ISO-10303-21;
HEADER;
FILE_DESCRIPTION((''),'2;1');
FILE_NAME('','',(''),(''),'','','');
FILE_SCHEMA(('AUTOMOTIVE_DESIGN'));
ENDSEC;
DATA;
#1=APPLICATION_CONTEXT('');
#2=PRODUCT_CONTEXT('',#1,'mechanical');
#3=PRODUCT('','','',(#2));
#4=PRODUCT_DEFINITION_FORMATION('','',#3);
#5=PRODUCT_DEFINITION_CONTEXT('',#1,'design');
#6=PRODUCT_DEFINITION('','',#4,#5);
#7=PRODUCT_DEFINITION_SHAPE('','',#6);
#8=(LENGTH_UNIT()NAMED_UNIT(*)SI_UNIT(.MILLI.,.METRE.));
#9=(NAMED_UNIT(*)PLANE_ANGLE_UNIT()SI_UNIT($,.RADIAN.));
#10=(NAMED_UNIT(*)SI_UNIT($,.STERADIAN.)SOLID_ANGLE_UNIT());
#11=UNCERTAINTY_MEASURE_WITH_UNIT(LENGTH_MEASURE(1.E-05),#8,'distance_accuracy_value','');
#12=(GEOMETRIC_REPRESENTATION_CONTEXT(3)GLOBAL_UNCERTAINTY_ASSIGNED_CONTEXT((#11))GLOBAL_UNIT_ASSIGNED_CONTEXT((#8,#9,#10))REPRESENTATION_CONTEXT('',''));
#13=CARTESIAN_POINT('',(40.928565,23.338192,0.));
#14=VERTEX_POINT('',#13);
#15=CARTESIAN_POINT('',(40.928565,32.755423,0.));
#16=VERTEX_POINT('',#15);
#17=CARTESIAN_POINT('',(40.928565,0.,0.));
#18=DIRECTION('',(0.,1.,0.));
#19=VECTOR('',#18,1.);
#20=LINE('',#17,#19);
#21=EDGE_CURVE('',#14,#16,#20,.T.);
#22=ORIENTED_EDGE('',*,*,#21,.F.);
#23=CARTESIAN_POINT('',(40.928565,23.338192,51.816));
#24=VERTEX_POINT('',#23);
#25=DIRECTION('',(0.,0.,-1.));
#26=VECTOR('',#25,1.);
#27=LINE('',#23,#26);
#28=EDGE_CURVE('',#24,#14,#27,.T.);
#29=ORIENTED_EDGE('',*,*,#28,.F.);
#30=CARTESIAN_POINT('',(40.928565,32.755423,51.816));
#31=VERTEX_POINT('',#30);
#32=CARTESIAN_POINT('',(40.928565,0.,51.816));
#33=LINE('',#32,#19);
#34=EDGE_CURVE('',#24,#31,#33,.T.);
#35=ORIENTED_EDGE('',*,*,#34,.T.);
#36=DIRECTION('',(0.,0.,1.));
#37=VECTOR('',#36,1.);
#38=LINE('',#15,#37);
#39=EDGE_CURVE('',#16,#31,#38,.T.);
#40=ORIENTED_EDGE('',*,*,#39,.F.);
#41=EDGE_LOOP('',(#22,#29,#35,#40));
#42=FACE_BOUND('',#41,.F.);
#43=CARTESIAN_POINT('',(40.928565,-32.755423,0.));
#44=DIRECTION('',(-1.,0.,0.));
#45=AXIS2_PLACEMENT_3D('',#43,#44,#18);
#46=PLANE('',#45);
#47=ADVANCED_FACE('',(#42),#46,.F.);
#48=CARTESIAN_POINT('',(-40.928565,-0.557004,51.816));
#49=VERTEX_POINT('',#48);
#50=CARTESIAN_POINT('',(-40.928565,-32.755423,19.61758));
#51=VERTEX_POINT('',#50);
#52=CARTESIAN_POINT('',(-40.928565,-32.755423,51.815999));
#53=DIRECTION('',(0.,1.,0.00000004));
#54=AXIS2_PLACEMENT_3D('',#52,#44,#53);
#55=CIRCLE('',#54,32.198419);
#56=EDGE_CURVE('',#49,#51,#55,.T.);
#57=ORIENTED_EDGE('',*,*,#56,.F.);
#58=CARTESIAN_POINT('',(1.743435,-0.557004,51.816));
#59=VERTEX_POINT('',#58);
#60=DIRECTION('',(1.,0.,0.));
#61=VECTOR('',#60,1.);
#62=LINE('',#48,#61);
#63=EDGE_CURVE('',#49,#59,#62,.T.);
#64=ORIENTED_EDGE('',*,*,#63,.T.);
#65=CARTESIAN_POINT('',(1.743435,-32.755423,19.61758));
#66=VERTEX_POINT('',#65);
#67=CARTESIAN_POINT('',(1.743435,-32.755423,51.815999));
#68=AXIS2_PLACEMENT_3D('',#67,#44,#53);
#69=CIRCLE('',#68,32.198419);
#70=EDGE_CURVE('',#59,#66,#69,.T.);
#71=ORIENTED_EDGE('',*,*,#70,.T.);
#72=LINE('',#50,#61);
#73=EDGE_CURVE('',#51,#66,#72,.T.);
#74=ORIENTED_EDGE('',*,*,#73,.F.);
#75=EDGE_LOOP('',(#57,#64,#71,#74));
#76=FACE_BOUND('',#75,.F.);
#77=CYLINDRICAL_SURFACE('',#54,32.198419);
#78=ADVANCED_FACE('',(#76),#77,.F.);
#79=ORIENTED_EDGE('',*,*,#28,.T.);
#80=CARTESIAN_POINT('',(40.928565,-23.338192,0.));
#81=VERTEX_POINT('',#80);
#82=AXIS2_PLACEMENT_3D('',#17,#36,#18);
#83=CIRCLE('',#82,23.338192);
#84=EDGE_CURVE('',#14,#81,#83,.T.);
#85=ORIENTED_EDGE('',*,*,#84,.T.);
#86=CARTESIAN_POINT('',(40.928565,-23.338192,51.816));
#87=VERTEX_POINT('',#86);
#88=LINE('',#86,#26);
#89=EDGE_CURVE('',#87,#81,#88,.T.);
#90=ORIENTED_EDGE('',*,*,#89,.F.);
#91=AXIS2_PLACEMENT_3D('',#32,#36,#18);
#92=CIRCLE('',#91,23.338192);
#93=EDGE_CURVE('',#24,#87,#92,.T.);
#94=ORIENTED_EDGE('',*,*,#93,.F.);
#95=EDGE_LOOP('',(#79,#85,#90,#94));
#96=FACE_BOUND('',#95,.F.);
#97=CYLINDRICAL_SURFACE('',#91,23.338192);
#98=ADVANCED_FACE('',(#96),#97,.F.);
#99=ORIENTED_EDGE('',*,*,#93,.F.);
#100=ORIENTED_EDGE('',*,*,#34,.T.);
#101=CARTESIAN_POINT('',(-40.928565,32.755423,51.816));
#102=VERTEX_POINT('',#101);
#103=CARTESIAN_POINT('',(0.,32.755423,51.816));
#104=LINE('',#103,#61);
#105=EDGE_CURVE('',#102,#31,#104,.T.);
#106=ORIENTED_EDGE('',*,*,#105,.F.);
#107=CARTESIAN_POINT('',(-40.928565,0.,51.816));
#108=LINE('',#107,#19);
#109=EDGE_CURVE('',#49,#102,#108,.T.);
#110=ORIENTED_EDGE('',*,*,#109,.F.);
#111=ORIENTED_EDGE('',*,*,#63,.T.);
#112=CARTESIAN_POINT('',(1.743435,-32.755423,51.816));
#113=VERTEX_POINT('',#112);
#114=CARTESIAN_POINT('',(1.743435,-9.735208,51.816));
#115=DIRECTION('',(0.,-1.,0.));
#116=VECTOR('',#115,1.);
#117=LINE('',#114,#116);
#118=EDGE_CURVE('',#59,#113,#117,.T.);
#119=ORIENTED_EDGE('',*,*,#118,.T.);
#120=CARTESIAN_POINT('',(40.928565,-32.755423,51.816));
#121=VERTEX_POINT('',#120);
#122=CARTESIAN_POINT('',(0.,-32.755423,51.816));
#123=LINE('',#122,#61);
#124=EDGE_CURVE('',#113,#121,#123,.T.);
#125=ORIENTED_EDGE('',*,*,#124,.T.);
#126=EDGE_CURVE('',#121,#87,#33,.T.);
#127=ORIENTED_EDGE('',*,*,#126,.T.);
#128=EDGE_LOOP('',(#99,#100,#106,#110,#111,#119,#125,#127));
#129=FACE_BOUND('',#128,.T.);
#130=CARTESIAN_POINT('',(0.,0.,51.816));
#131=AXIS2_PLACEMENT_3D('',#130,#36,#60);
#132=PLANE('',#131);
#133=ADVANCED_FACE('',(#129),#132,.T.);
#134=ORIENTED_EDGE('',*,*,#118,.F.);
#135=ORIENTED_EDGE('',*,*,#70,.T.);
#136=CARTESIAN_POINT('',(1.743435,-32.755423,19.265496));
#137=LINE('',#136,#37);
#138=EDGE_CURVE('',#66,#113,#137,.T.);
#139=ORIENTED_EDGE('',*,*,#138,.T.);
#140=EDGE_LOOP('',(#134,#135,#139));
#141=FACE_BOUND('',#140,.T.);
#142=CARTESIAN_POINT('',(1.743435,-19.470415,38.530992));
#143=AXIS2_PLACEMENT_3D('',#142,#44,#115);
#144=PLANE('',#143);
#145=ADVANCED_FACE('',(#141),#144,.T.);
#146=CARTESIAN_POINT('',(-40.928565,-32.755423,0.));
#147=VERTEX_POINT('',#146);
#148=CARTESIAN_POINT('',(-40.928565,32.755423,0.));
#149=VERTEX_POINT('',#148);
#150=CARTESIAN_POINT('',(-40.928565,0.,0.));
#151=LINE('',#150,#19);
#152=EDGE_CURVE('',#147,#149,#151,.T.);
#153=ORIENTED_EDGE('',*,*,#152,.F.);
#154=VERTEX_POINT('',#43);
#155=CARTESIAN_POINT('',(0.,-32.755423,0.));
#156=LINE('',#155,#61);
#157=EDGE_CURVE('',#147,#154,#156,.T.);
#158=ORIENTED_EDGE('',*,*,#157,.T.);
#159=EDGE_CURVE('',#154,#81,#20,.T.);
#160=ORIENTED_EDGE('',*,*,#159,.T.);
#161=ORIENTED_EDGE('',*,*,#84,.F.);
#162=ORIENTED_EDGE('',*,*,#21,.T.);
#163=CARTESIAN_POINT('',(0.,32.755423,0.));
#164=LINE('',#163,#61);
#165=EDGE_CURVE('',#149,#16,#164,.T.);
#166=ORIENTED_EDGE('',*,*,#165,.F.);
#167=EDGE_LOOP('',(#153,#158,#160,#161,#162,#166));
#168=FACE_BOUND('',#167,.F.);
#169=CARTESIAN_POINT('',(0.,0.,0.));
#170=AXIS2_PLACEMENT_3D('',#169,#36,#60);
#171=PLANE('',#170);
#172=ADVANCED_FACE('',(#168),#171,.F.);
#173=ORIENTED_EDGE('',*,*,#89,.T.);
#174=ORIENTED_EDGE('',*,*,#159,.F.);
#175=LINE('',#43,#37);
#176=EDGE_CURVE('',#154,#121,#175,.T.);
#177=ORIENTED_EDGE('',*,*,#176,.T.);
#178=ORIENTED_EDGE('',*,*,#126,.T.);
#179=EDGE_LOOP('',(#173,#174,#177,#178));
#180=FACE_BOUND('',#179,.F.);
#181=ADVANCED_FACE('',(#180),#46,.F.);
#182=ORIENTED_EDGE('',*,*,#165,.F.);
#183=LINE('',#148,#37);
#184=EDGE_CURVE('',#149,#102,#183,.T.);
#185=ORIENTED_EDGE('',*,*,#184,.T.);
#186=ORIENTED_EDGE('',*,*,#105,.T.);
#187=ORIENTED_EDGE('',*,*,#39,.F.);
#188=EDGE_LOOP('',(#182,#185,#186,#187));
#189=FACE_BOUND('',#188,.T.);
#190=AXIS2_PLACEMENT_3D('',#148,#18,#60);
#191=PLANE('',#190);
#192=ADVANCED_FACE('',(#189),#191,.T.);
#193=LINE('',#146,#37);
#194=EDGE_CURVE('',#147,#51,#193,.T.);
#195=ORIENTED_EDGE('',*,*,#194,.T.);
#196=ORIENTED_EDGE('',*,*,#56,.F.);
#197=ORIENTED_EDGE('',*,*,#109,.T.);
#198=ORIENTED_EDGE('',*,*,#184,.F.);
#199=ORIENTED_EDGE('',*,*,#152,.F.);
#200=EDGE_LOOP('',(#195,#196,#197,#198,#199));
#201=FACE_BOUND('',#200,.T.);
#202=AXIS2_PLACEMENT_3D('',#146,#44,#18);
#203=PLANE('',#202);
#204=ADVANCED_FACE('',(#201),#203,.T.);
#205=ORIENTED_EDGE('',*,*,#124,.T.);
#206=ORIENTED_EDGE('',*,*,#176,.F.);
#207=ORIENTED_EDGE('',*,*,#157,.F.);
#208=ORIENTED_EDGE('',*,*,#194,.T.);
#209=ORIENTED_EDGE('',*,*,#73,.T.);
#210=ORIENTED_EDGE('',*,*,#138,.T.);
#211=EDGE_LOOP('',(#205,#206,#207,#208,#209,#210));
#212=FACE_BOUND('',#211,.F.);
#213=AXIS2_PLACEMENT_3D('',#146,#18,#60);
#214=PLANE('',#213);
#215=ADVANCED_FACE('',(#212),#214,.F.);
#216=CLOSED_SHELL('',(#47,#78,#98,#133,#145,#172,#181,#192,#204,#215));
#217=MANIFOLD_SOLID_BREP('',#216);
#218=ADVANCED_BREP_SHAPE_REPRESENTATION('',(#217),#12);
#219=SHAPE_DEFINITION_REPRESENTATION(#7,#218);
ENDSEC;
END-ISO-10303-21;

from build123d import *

# Parameters (mm, degrees)
F0_W     = 81.85713
F0_H     = 65.510846
F1_DEPTH = 51.816
F3_DEPTH = 78.994
F5_DEPTH = 42.672


with BuildPart() as f1:
    # F0 (on Top) → F1 (new body)
    with BuildSketch(Plane.XY):
        Rectangle(F0_W, F0_H)
    extrude(amount=F1_DEPTH)

    # F2 (on face) → F3 (cut)
    with BuildSketch(Plane.XY.offset(51.816)):
        with BuildLine():
            Line((40.928565, -23.338192), (40.928565, 23.338192))
            ThreePointArc((40.928565, 23.338192), (17.590373, 0), (40.928565, -23.338192))
        make_face()
    extrude(amount=-F3_DEPTH, mode=Mode.SUBTRACT)

    # F4 (on face) → F5 (cut)
    with BuildSketch(Plane(origin=(-40.928565, 0, 0), x_dir=(0, -1, 0), z_dir=(-1, 0, 0))):
        with BuildLine():
            Line((32.755423, 51.816), (0.557004, 51.816))
            ThreePointArc((0.557004, 51.816), (9.987702, 29.048279), (32.755423, 19.61758))
            Line((32.755423, 19.61758), (32.755423, 51.816))
        make_face()
        with BuildLine():
            ThreePointArc((32.755423, 19.61758), (55.523144, 29.048279), (64.953843, 51.816))
            ThreePointArc((64.953843, 51.816), (32.755423, 84.01442), (0.557004, 51.816))
            Line((0.557004, 51.816), (32.755423, 51.816))
            Line((32.755423, 51.816), (32.755423, 19.61758))
        make_face()
    extrude(amount=-F5_DEPTH, mode=Mode.SUBTRACT)


solid = f1.part
